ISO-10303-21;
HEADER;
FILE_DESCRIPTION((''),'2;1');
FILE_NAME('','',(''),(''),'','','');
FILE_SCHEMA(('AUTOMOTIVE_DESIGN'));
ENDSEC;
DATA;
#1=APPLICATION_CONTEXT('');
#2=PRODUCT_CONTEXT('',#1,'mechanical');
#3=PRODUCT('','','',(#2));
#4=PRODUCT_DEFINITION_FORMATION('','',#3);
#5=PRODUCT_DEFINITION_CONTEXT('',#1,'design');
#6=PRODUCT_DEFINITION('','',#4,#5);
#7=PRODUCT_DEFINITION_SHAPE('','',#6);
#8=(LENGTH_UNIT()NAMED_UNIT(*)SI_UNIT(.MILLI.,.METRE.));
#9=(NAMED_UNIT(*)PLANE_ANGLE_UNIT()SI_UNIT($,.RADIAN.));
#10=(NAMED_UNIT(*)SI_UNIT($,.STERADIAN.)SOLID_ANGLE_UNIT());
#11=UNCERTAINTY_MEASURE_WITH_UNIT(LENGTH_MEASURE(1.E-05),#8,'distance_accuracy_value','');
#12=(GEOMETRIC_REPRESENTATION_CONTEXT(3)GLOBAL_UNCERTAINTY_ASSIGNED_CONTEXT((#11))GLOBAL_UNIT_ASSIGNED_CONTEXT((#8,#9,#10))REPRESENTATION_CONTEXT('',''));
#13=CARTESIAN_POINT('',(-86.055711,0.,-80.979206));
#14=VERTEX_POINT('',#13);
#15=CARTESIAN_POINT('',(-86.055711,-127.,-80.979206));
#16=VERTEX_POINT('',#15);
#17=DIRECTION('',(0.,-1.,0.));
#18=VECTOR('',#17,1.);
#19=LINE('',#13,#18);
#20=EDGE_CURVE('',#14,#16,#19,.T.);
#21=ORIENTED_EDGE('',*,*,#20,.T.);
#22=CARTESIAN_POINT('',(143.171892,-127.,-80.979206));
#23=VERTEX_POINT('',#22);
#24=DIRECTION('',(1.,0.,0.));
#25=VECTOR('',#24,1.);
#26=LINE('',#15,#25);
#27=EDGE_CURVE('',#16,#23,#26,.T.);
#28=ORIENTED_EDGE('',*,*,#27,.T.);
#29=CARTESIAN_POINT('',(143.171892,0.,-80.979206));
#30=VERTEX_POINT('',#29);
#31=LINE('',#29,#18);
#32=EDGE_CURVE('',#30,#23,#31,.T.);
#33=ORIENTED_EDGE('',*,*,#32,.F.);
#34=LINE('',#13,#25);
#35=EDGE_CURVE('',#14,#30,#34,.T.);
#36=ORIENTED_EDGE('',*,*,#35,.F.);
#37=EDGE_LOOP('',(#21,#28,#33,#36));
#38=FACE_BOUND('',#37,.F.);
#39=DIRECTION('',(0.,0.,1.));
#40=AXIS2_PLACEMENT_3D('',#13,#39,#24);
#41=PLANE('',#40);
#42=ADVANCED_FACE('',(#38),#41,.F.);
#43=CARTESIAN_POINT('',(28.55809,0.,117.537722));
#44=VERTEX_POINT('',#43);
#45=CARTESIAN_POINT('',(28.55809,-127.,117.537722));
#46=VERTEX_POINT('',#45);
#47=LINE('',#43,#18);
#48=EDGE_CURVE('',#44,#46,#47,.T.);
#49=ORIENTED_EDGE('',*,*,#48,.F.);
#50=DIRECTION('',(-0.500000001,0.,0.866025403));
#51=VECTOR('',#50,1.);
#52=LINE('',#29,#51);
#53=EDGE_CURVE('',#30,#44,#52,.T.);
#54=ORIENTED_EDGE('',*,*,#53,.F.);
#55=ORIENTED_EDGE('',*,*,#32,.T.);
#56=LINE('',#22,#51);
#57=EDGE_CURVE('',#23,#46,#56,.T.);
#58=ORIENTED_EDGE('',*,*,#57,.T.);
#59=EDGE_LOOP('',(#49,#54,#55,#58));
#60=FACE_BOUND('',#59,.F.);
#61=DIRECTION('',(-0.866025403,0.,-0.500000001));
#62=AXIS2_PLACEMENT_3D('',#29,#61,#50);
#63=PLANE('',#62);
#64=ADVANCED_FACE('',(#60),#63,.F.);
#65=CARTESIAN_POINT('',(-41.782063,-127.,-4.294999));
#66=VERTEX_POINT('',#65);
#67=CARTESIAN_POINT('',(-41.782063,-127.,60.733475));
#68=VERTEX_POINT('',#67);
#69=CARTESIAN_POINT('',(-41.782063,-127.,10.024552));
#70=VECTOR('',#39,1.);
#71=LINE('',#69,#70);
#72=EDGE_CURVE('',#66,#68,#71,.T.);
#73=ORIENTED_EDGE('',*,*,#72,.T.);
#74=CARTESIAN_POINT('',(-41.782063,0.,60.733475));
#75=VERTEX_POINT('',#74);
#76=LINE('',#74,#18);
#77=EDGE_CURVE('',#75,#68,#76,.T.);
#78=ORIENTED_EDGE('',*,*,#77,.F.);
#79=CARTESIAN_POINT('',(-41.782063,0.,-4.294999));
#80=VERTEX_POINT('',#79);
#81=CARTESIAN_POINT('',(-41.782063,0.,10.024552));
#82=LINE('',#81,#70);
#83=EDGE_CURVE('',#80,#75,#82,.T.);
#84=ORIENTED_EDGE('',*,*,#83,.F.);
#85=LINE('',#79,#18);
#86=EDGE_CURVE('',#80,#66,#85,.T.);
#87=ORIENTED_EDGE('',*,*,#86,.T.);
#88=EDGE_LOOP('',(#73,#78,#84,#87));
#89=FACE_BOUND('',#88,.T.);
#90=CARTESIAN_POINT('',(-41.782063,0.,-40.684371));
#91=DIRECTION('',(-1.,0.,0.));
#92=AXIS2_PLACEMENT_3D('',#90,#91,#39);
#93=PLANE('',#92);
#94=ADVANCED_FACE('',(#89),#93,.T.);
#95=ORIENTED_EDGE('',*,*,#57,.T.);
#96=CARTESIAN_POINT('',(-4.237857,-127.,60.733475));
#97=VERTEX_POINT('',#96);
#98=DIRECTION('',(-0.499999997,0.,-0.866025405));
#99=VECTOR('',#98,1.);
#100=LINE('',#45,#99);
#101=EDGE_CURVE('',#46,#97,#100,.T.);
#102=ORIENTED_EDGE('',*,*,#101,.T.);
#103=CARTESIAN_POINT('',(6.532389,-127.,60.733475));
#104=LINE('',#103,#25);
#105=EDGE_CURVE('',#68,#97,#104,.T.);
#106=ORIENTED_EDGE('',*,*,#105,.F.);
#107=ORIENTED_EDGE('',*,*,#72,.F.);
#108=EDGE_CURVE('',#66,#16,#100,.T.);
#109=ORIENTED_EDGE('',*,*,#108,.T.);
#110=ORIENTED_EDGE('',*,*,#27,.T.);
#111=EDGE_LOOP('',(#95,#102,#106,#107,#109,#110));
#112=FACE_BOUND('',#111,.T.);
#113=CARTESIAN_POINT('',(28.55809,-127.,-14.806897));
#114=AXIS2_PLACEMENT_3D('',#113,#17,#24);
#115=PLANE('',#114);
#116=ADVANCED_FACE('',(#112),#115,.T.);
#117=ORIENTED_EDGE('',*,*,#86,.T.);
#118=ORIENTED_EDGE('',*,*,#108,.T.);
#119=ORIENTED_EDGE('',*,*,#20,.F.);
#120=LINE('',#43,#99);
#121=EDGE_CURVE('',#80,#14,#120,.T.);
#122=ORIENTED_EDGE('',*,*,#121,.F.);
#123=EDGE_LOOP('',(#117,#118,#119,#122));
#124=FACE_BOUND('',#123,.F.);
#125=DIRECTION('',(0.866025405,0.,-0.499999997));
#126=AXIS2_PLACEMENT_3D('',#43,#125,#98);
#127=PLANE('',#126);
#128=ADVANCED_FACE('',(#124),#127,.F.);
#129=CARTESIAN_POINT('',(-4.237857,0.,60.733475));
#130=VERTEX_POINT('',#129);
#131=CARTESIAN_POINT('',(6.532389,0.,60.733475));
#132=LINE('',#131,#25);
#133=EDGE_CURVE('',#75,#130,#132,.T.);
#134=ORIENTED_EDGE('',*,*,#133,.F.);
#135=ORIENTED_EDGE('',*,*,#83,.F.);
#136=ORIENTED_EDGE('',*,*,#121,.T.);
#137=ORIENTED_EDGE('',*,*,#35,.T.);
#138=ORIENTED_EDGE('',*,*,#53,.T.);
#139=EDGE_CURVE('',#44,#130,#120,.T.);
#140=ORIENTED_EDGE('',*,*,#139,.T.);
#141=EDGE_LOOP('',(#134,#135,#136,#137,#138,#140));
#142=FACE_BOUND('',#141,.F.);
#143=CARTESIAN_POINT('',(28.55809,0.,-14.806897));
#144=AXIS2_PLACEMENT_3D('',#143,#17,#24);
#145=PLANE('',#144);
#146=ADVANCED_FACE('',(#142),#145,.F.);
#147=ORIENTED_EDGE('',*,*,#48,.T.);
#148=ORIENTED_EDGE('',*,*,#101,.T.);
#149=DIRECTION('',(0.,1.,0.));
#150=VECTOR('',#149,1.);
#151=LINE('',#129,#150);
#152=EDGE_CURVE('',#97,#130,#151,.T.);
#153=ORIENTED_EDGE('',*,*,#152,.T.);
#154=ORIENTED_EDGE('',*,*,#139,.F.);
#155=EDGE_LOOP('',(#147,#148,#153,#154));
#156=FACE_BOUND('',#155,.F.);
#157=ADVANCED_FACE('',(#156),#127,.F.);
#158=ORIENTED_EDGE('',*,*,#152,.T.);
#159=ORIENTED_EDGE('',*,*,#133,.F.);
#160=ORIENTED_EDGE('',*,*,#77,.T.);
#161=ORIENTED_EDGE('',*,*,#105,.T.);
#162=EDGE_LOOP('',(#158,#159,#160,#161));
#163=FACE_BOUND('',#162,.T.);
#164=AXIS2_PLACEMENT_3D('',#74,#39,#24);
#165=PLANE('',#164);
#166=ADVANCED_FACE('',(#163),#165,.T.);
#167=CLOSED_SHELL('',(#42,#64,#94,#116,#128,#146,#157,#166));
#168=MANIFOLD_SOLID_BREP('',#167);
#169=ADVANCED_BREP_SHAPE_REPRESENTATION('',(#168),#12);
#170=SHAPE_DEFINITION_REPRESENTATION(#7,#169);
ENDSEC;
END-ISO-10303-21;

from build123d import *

# Parameters (mm, degrees)
F0_W     = 96.628905
F0_H     = 101.417847
F1_DEPTH = 127
F3_DEPTH = 127


with BuildPart() as f1:
    # F0 (on Front) → F1 (new body)
    with BuildSketch(Plane.XZ):
        with Locations((6.532389, 10.024552)):
            Rectangle(F0_W, F0_H)
    extrude(amount=F1_DEPTH)

    # F2 (on Front) → F3 (join)
    with BuildSketch(Plane.XZ):
        Polygon((-86.055711, -80.979206), (143.171892, -80.979206), (28.55809, 117.537722), align=None)
    extrude(amount=F3_DEPTH)


solid = f1.part
